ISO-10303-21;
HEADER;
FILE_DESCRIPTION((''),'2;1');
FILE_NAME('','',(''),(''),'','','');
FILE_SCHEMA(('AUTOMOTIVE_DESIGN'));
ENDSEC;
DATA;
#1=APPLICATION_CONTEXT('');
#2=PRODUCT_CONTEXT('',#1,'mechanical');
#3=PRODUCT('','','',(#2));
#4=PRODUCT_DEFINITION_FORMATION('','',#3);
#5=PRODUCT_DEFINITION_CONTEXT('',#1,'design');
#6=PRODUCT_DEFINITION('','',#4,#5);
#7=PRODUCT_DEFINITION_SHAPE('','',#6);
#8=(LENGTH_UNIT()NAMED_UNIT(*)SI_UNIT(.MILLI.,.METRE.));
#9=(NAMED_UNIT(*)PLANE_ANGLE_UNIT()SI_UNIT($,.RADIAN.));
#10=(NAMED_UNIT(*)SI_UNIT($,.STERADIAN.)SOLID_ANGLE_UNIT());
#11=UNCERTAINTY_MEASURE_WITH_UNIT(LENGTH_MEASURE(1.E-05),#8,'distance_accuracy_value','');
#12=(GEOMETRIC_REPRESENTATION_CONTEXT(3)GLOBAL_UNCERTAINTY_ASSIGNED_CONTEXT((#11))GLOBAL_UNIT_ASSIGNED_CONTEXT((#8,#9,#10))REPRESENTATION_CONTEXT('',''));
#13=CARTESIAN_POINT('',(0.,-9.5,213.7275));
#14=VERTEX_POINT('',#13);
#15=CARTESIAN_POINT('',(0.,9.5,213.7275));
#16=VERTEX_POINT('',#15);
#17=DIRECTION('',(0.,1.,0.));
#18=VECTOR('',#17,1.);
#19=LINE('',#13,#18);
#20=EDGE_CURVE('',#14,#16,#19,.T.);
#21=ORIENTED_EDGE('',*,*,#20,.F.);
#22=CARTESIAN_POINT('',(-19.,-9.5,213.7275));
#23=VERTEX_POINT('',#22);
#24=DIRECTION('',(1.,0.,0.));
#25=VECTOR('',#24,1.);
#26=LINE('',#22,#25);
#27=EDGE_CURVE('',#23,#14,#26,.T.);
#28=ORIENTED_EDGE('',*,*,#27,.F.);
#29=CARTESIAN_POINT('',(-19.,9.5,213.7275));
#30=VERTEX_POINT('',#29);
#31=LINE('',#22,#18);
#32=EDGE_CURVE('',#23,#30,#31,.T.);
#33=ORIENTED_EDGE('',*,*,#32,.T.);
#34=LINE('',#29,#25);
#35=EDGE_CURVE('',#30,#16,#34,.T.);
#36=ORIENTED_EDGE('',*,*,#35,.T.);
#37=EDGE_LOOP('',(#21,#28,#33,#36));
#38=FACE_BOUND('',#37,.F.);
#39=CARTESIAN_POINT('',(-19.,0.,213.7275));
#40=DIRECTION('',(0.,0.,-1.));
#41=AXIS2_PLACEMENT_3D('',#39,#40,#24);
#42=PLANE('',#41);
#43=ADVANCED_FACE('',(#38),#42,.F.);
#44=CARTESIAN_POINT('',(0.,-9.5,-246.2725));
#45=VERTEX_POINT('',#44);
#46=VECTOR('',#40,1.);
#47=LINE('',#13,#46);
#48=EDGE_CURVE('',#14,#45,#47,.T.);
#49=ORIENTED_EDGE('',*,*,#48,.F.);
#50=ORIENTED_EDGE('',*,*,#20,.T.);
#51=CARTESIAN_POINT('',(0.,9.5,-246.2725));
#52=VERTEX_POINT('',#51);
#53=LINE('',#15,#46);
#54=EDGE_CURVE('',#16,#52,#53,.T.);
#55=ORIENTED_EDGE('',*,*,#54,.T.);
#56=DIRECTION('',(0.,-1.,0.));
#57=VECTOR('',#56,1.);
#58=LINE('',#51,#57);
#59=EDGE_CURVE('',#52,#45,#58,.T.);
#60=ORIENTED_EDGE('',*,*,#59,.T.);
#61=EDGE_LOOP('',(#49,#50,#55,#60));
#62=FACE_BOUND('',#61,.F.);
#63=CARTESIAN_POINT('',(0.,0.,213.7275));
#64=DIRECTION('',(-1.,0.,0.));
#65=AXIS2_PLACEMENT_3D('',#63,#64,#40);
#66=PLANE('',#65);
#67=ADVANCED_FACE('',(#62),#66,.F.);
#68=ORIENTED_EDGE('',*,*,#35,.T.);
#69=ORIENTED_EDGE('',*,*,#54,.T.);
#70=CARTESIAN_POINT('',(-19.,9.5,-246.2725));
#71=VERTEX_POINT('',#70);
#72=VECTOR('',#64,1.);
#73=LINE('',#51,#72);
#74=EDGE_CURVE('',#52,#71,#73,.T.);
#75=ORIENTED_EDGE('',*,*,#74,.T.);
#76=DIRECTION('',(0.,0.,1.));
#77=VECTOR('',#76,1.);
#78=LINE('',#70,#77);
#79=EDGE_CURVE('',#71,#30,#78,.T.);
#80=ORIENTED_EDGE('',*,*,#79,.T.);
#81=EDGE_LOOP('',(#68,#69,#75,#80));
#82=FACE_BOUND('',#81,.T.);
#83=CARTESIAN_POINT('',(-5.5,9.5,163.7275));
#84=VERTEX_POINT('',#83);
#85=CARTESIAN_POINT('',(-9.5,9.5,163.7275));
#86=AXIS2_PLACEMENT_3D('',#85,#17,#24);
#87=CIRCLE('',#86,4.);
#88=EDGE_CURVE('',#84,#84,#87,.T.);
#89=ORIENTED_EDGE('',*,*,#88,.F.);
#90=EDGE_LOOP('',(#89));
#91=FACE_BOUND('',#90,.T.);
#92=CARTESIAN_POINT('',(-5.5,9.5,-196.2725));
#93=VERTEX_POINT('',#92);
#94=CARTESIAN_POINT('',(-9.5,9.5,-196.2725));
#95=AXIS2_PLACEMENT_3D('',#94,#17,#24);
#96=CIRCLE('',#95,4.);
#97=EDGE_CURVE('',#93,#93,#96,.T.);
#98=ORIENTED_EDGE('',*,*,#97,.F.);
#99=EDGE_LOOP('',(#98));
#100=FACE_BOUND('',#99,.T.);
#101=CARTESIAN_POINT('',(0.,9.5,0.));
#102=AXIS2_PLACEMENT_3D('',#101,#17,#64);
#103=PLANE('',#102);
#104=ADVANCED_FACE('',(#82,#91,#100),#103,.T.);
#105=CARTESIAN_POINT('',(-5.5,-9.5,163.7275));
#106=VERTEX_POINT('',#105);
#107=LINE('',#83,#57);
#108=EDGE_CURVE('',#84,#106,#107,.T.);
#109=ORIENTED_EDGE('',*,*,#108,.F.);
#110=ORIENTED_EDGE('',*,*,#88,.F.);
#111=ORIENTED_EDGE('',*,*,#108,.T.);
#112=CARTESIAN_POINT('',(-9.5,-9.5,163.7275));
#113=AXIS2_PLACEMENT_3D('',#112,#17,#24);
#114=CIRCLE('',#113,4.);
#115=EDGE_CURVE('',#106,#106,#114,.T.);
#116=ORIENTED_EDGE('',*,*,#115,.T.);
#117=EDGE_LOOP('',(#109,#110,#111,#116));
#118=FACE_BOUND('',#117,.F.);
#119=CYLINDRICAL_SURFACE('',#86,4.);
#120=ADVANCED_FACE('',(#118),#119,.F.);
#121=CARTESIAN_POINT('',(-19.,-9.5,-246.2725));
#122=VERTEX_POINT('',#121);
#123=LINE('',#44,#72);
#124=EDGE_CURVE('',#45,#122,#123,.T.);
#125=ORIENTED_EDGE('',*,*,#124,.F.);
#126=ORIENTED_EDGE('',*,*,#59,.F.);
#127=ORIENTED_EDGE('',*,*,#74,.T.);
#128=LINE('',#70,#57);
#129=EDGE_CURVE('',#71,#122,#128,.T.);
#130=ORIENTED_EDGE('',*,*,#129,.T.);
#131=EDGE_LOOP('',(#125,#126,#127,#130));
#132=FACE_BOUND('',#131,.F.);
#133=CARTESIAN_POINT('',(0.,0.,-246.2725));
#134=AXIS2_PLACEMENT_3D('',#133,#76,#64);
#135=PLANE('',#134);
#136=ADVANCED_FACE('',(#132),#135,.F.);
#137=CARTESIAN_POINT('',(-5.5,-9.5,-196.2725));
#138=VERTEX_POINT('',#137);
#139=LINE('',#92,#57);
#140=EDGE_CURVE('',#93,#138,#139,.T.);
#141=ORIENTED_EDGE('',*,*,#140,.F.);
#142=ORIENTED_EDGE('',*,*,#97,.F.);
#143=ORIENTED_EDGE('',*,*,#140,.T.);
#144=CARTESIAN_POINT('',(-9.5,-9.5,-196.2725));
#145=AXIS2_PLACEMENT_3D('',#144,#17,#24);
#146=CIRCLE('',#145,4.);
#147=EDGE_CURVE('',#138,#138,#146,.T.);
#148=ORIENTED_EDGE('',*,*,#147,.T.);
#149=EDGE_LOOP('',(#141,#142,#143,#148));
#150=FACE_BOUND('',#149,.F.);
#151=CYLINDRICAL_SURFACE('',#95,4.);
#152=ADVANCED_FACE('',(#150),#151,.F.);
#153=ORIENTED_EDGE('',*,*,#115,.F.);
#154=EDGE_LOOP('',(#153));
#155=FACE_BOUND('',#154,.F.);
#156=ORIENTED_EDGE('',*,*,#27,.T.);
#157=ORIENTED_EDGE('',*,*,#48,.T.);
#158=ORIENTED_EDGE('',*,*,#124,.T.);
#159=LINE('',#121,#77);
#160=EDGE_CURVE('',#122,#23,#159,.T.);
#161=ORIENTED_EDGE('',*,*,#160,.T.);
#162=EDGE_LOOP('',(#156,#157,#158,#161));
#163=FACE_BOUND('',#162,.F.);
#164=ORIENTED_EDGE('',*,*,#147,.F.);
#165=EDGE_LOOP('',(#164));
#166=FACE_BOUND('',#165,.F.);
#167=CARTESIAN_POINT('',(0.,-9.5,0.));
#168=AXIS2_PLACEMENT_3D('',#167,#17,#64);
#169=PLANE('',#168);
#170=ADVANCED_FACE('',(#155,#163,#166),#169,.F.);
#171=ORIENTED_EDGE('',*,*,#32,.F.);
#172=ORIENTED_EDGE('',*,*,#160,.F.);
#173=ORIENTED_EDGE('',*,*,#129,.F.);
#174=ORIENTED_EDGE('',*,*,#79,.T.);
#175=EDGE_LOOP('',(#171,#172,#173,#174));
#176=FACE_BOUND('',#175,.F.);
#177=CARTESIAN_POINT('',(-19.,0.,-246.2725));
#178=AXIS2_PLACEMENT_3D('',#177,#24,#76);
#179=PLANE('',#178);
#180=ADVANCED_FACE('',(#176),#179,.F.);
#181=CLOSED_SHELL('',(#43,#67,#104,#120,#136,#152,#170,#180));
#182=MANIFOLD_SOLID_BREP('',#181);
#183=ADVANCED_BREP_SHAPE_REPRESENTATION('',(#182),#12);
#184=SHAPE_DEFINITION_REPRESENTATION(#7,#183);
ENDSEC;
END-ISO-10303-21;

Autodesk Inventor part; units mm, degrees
ref_plane "YZ Plane" through (0, 0, 0) normal (1, 0, 0) x (0, 1, 0)
ref_plane "XZ Plane" through (0, 0, 0) normal (0, 1, 0) x (-1, 0, 0)
ref_plane "XY Plane" through (0, 0, 0) normal (0, 0, 1) x (1, 0, 0)
sketch "Sketch1" plane through (0, 0, 0) normal (0, 1, 0) x (-1, 0, 0)
  line L0 (19, 213.7275) -> (0, 213.7275)
  line L1 (0, 213.7275) -> (0, -246.2725)
  line L2 (0, -246.2725) -> (19, -246.2725)
  line L3 (19, -246.2725) -> (19, 213.7275)
  point P0 (0, 0)
  dimension "d0" = 19
  dimension "d1" = 460
  dimension "d2" = 19
  dimension "d3" = 213.7275
extrude "Extrusion1" add sketch "Sketch1" along normal mid plane 19
sketch "Sketch2" plane through (0, 9.5, 0) normal (0, 1, 0) x (1, 0, 0)
  circle A0 centre (-9.5, -163.7275) radius 4
  circle A1 centre (-9.5, 196.2725) radius 4
  line L0 (-19, -213.7275) -> (0, -213.7275) projected
  line L1 (0, 246.2725) -> (-19, 246.2725) projected
  line L2 (-19, 246.2725) -> (-19, -213.7275) projected
  line L3 (0, -213.7275) -> (0, 246.2725) projected
  point P0 (0, 0)
  dimension "d6" = 50
  dimension "d7" = 50
  dimension "d8" = 9.5
  dimension "d9" = 9.5
  dimension "d10" = 8
  dimension "d11" = 8
extrude "Extrusion2" cut sketch "Sketch2" against normal blind 19 contours A0 | A1
properties part number "height 460" material "Steel"
